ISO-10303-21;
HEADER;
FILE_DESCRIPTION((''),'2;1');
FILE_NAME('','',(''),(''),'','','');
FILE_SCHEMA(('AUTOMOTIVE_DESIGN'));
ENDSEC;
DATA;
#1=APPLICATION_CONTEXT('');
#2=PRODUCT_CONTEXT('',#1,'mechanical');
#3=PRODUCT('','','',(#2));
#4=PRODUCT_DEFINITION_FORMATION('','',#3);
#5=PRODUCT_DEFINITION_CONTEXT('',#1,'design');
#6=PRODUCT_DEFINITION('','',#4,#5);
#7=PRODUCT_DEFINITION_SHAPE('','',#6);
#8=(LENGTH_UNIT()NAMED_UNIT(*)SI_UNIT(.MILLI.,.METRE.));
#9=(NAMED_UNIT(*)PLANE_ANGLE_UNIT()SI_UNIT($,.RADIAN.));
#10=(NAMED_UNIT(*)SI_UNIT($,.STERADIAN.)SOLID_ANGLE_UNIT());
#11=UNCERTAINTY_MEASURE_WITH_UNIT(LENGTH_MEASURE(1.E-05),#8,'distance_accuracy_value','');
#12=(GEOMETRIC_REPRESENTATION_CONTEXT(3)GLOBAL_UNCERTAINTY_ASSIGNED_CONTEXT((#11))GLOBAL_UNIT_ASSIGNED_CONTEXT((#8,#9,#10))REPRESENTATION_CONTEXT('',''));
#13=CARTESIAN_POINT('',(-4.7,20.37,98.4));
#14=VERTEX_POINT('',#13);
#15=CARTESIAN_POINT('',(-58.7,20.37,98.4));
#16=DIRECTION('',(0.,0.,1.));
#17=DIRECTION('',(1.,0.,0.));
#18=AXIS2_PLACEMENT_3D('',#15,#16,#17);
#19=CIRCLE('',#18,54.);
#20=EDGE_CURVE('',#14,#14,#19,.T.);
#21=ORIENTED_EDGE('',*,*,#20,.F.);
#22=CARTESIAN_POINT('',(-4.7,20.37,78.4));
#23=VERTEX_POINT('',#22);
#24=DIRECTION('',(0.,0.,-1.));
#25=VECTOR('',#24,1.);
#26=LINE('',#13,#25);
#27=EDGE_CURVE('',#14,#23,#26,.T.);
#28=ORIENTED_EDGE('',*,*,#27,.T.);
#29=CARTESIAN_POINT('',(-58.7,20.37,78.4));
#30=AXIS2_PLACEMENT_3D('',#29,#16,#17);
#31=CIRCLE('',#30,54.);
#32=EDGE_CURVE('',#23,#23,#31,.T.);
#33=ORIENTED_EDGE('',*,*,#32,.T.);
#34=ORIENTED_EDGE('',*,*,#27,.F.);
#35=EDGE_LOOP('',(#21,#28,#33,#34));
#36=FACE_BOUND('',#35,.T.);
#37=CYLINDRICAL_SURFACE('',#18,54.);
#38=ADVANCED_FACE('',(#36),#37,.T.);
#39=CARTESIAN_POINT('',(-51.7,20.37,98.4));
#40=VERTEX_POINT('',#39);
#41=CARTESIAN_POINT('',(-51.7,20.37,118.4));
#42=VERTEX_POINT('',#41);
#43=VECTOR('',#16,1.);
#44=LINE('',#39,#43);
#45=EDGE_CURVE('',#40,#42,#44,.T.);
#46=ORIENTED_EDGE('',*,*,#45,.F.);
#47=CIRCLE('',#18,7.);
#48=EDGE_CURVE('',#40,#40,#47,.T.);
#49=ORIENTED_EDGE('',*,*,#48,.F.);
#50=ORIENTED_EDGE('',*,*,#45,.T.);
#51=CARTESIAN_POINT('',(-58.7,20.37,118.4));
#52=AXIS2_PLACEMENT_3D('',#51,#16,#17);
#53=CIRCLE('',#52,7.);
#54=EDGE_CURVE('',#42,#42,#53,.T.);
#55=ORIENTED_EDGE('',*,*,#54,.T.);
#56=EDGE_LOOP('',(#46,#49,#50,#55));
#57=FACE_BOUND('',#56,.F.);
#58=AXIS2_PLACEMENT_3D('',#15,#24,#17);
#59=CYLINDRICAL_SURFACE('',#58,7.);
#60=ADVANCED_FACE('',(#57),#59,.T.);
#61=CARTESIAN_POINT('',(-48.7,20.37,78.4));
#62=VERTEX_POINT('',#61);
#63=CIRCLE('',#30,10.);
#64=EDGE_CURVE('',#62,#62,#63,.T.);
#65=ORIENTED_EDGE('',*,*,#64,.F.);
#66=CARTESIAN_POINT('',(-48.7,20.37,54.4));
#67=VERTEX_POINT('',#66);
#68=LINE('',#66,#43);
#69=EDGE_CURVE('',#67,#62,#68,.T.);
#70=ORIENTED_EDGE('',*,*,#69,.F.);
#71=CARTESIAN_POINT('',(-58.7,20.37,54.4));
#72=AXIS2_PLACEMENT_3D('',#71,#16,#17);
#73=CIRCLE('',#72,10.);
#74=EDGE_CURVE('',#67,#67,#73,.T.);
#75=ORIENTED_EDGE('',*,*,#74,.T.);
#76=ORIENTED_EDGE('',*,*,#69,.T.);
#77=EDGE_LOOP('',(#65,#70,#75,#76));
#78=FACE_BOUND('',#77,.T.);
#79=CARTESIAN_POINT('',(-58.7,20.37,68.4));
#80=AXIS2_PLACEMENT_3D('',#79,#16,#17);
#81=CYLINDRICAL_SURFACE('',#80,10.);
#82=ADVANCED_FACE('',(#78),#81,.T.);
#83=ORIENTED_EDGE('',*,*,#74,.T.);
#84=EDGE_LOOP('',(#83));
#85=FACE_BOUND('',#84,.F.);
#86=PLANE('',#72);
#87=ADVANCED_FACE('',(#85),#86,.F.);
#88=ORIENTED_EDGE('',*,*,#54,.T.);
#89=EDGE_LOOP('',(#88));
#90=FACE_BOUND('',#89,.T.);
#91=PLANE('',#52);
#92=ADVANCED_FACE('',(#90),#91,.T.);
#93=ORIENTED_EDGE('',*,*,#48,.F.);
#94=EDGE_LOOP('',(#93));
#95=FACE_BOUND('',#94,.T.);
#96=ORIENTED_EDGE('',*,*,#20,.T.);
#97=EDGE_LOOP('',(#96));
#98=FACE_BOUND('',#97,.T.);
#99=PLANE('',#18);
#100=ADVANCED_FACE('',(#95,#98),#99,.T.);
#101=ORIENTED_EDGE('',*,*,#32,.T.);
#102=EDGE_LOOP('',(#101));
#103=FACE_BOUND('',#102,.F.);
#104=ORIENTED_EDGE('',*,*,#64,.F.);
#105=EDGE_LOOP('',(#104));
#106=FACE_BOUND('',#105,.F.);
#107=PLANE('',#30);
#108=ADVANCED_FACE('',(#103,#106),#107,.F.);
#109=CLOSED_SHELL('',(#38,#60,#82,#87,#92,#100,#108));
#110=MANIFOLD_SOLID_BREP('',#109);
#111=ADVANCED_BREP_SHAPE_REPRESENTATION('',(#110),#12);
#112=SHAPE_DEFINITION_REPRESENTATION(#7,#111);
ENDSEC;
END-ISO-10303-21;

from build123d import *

# Parameters (mm, degrees)
SKETCH004_R           = 54
EXTRUDE004_DEPTH      = 20
SKETCH003_R           = 10
EXTRUDE003_DEPTH      = 30
EXTRUDE003_DEPTH_BACK = 14
SKETCH005_R           = 7
EXTRUDE005_DEPTH      = 20


with BuildPart() as outercylinder:
    # Sketch004 (on Face3 of Extrude003) → Extrude004 (new body)
    with BuildSketch(Plane.XY.offset(98.4)):
        with Locations((-58.7, 20.37)):
            Circle(SKETCH004_R)
    extrude(amount=-EXTRUDE004_DEPTH)


with BuildPart() as innercylinder:
    # Sketch003 (on Face4 of Extrude002) → Extrude003 (new body, two sides)
    with BuildSketch(Plane.XY.offset(68.4)) as extrude003_sk:
        with Locations((-58.7, 20.37)):
            Circle(SKETCH003_R)
    extrude(amount=EXTRUDE003_DEPTH)
    extrude(extrude003_sk.sketch, amount=-EXTRUDE003_DEPTH_BACK)


with BuildPart() as motoradapter:
    # Sketch005 (on Face3 of Extrude003) → Extrude005 (new body)
    with BuildSketch(Plane.XY.offset(98.4)):
        with Locations((-58.7, 20.37)):
            Circle(SKETCH005_R)
    extrude(amount=EXTRUDE005_DEPTH)

    # Fusion005: union outerCylinder, innerCylinder
    add(outercylinder.part)
    add(innercylinder.part)


solid = motoradapter.part
